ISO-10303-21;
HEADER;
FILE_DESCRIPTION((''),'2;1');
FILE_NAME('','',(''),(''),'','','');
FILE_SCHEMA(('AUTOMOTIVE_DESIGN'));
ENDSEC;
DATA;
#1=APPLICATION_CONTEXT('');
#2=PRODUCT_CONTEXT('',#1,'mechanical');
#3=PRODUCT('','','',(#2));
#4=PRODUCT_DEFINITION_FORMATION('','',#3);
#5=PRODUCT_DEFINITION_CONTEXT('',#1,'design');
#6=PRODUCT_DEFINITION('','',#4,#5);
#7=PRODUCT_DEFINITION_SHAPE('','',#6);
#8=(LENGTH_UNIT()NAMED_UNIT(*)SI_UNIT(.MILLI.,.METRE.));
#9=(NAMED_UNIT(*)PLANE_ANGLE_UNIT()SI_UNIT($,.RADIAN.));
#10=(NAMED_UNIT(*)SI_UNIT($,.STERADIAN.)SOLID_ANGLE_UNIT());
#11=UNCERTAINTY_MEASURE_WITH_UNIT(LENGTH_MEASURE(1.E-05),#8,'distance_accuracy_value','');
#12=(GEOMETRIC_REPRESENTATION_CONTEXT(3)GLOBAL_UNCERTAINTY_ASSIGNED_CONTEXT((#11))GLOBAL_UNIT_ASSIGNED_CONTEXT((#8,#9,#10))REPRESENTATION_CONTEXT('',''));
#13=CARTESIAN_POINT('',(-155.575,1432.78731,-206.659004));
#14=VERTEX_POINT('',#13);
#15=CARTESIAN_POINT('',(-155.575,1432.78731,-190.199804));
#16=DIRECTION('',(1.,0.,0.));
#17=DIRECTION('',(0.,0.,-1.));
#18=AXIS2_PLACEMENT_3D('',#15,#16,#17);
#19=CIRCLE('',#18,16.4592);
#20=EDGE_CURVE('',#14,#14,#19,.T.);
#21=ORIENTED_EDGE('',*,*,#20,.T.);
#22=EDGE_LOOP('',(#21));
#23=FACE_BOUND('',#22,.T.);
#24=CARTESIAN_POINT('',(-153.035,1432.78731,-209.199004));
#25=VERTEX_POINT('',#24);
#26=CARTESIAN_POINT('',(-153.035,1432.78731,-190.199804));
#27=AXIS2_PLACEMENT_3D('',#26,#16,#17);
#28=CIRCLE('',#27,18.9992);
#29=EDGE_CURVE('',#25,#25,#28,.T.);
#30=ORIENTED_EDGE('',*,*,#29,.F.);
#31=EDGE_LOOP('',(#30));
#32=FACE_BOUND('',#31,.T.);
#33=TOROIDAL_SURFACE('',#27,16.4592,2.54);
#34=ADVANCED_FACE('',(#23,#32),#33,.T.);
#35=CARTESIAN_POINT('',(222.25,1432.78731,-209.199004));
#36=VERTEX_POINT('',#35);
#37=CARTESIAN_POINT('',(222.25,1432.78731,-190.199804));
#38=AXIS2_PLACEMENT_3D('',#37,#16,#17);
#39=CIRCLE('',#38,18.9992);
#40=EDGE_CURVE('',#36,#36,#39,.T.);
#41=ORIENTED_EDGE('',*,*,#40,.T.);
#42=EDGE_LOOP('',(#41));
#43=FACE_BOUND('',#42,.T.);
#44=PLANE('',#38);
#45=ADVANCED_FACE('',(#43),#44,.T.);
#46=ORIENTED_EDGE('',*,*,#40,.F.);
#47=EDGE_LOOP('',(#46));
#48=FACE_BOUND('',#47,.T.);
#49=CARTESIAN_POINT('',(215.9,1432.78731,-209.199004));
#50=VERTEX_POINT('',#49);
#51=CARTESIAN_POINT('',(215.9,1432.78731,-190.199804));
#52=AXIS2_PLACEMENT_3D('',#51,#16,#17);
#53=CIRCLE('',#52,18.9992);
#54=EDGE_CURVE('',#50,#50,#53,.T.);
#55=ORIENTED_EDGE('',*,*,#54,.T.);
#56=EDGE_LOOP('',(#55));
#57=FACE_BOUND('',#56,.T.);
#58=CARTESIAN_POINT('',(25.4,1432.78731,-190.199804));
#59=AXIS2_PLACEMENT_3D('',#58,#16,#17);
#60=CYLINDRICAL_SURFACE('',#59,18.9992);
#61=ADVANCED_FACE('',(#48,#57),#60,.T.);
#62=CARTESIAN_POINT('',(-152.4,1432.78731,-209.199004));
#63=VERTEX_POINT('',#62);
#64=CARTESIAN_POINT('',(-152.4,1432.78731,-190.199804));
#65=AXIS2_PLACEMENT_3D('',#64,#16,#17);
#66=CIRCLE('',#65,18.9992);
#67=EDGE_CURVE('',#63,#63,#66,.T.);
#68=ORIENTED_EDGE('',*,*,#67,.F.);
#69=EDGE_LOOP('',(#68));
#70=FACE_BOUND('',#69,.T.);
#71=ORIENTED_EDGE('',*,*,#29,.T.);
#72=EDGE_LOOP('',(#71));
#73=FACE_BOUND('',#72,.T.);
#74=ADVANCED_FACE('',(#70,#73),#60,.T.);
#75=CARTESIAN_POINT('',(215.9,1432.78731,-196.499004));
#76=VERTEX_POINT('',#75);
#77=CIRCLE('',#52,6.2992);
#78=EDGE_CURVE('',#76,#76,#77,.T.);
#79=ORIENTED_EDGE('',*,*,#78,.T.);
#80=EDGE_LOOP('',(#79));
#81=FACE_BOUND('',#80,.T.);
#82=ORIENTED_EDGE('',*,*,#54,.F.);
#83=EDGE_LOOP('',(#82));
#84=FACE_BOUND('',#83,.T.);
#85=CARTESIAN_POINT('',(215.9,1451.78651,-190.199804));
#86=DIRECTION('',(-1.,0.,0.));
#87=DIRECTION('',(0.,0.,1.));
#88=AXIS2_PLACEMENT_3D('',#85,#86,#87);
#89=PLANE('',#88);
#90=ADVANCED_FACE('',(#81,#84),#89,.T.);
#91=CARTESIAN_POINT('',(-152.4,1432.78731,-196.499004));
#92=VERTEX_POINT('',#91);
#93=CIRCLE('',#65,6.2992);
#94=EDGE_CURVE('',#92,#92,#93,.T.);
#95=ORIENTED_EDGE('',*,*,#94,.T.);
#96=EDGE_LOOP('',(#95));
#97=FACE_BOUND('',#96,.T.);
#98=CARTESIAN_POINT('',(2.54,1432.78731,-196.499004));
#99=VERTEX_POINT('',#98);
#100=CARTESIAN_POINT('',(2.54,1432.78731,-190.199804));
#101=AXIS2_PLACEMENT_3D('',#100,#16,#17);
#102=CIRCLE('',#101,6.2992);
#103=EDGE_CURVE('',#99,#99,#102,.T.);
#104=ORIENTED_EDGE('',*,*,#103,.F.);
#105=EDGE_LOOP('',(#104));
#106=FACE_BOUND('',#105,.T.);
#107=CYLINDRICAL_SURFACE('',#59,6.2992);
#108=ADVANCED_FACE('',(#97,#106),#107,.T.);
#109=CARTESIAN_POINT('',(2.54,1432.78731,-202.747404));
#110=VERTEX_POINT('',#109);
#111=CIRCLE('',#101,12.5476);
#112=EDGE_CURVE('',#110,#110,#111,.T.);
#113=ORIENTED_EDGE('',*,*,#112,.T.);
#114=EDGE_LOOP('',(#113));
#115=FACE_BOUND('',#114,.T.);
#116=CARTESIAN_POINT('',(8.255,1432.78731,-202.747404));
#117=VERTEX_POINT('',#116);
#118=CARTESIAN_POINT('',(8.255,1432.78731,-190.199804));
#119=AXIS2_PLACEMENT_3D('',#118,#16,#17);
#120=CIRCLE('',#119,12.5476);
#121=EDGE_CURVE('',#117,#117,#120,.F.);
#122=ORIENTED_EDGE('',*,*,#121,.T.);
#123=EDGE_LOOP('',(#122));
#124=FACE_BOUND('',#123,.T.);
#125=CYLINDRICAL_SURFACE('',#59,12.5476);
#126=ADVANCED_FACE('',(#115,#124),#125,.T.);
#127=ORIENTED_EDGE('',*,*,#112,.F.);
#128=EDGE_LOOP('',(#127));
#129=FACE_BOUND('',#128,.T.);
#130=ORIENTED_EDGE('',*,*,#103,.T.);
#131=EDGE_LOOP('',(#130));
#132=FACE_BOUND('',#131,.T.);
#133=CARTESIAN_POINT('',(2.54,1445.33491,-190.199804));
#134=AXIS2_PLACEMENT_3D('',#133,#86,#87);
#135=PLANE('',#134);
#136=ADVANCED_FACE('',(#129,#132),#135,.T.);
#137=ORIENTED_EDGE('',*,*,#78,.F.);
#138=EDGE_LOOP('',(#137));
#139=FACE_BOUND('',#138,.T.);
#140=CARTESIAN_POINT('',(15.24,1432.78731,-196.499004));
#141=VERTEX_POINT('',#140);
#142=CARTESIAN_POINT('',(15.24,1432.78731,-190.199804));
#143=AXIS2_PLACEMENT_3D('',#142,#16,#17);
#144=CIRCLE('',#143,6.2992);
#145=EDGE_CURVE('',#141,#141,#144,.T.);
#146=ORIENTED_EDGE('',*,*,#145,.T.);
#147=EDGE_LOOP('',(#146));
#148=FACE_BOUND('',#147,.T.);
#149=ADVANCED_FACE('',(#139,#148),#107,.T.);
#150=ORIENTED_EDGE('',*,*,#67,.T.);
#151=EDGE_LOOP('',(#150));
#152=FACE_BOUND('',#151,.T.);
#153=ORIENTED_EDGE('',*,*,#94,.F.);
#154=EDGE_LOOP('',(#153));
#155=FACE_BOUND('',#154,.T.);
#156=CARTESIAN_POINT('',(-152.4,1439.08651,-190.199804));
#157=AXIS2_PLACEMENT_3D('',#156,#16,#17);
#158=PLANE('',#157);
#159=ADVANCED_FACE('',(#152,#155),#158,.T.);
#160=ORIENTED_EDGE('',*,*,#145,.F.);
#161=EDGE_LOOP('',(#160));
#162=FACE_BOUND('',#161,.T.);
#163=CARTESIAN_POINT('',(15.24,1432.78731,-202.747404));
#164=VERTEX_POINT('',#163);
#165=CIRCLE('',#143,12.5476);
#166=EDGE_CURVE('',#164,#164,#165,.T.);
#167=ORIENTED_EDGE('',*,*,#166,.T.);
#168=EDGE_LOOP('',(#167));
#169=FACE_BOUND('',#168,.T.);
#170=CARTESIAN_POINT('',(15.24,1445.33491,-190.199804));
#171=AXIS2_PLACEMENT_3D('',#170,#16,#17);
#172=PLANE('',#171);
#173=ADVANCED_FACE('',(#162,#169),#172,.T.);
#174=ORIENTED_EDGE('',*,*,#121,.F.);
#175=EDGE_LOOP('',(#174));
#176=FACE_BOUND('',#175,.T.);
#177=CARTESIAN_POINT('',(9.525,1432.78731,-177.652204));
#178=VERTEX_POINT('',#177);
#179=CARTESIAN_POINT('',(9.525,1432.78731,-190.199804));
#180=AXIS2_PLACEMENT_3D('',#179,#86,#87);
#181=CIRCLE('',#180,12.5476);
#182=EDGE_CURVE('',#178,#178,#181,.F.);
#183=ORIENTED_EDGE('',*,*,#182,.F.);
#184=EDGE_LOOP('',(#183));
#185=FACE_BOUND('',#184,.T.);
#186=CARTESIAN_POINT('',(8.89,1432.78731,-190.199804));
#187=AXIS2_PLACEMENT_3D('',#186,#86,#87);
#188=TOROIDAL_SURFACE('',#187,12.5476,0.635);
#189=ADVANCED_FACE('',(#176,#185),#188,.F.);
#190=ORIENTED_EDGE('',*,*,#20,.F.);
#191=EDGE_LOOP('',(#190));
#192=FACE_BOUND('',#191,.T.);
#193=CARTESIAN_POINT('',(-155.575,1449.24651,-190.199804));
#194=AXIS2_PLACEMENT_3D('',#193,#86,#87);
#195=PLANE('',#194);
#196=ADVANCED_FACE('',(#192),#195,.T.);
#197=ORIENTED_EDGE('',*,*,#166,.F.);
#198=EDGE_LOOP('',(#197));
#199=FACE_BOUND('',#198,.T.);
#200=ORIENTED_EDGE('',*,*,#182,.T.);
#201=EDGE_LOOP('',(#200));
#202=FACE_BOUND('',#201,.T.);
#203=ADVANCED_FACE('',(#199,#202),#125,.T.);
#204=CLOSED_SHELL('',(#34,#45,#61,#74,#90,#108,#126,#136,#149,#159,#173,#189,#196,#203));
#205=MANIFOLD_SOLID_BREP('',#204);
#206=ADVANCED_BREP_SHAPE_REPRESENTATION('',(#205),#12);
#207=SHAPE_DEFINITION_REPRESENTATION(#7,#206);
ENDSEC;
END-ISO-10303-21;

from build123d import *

# Parameters (mm, degrees)
SKETCH3_R = 0.635


with BuildPart() as part:
    # Sketch2 → Revolve1 (revolve)
    with BuildSketch(Plane(origin=(25.4, 0, -190.199803954), x_dir=(1, 0, 0), z_dir=(0, 0, 1))):
        with BuildLine():
            Line((-10.16, 1439.086510137), (114.3, 1439.086510137))
            Line((114.3, 1439.086510137), (190.5, 1439.086510137))
            Line((190.5, 1439.086510137), (190.5, 1451.786510137))
            Line((190.5, 1451.786510137), (196.85, 1451.786510137))
            Line((196.85, 1451.786510137), (196.85, 1432.787310137))
            Line((196.85, 1432.787310137), (-180.975, 1432.787310137))
            Line((-180.975, 1432.787310137), (-180.975, 1449.246510137))
            ThreePointArc((-180.975, 1449.246510137), (-180.231051224, 1451.042561361), (-178.435, 1451.786510137))
            Line((-178.435, 1451.786510137), (-177.8, 1451.786510137))
            Line((-177.8, 1451.786510137), (-177.8, 1439.086510137))
            Line((-177.8, 1439.086510137), (-101.6, 1439.086510137))
            Line((-101.6, 1439.086510137), (-91.44, 1439.086510137))
            Line((-91.44, 1439.086510137), (-22.86, 1439.086510137))
            Line((-22.86, 1439.086510137), (-22.86, 1445.334910137))
            Line((-22.86, 1445.334910137), (-10.16, 1445.334910137))
            Line((-10.16, 1445.334910137), (-10.16, 1439.086510137))
        make_face()
    revolve(axis=Axis((25.4, 1432.787310137, -190.199803954), (-1, 0, 0)))

    # Sketch3 → Cut-Revolve1 (revolve, cut)
    with BuildSketch(Plane(origin=(25.4, 0, -190.199803954), x_dir=(1, 0, 0), z_dir=(0, 0, 1))):
        with Locations((-16.51, 1445.334910137)):
            Circle(SKETCH3_R)
    revolve(axis=Axis((2.54, 1432.787310137, -190.199803954), (1, 0, 0)), mode=Mode.SUBTRACT)


solid = part.part
